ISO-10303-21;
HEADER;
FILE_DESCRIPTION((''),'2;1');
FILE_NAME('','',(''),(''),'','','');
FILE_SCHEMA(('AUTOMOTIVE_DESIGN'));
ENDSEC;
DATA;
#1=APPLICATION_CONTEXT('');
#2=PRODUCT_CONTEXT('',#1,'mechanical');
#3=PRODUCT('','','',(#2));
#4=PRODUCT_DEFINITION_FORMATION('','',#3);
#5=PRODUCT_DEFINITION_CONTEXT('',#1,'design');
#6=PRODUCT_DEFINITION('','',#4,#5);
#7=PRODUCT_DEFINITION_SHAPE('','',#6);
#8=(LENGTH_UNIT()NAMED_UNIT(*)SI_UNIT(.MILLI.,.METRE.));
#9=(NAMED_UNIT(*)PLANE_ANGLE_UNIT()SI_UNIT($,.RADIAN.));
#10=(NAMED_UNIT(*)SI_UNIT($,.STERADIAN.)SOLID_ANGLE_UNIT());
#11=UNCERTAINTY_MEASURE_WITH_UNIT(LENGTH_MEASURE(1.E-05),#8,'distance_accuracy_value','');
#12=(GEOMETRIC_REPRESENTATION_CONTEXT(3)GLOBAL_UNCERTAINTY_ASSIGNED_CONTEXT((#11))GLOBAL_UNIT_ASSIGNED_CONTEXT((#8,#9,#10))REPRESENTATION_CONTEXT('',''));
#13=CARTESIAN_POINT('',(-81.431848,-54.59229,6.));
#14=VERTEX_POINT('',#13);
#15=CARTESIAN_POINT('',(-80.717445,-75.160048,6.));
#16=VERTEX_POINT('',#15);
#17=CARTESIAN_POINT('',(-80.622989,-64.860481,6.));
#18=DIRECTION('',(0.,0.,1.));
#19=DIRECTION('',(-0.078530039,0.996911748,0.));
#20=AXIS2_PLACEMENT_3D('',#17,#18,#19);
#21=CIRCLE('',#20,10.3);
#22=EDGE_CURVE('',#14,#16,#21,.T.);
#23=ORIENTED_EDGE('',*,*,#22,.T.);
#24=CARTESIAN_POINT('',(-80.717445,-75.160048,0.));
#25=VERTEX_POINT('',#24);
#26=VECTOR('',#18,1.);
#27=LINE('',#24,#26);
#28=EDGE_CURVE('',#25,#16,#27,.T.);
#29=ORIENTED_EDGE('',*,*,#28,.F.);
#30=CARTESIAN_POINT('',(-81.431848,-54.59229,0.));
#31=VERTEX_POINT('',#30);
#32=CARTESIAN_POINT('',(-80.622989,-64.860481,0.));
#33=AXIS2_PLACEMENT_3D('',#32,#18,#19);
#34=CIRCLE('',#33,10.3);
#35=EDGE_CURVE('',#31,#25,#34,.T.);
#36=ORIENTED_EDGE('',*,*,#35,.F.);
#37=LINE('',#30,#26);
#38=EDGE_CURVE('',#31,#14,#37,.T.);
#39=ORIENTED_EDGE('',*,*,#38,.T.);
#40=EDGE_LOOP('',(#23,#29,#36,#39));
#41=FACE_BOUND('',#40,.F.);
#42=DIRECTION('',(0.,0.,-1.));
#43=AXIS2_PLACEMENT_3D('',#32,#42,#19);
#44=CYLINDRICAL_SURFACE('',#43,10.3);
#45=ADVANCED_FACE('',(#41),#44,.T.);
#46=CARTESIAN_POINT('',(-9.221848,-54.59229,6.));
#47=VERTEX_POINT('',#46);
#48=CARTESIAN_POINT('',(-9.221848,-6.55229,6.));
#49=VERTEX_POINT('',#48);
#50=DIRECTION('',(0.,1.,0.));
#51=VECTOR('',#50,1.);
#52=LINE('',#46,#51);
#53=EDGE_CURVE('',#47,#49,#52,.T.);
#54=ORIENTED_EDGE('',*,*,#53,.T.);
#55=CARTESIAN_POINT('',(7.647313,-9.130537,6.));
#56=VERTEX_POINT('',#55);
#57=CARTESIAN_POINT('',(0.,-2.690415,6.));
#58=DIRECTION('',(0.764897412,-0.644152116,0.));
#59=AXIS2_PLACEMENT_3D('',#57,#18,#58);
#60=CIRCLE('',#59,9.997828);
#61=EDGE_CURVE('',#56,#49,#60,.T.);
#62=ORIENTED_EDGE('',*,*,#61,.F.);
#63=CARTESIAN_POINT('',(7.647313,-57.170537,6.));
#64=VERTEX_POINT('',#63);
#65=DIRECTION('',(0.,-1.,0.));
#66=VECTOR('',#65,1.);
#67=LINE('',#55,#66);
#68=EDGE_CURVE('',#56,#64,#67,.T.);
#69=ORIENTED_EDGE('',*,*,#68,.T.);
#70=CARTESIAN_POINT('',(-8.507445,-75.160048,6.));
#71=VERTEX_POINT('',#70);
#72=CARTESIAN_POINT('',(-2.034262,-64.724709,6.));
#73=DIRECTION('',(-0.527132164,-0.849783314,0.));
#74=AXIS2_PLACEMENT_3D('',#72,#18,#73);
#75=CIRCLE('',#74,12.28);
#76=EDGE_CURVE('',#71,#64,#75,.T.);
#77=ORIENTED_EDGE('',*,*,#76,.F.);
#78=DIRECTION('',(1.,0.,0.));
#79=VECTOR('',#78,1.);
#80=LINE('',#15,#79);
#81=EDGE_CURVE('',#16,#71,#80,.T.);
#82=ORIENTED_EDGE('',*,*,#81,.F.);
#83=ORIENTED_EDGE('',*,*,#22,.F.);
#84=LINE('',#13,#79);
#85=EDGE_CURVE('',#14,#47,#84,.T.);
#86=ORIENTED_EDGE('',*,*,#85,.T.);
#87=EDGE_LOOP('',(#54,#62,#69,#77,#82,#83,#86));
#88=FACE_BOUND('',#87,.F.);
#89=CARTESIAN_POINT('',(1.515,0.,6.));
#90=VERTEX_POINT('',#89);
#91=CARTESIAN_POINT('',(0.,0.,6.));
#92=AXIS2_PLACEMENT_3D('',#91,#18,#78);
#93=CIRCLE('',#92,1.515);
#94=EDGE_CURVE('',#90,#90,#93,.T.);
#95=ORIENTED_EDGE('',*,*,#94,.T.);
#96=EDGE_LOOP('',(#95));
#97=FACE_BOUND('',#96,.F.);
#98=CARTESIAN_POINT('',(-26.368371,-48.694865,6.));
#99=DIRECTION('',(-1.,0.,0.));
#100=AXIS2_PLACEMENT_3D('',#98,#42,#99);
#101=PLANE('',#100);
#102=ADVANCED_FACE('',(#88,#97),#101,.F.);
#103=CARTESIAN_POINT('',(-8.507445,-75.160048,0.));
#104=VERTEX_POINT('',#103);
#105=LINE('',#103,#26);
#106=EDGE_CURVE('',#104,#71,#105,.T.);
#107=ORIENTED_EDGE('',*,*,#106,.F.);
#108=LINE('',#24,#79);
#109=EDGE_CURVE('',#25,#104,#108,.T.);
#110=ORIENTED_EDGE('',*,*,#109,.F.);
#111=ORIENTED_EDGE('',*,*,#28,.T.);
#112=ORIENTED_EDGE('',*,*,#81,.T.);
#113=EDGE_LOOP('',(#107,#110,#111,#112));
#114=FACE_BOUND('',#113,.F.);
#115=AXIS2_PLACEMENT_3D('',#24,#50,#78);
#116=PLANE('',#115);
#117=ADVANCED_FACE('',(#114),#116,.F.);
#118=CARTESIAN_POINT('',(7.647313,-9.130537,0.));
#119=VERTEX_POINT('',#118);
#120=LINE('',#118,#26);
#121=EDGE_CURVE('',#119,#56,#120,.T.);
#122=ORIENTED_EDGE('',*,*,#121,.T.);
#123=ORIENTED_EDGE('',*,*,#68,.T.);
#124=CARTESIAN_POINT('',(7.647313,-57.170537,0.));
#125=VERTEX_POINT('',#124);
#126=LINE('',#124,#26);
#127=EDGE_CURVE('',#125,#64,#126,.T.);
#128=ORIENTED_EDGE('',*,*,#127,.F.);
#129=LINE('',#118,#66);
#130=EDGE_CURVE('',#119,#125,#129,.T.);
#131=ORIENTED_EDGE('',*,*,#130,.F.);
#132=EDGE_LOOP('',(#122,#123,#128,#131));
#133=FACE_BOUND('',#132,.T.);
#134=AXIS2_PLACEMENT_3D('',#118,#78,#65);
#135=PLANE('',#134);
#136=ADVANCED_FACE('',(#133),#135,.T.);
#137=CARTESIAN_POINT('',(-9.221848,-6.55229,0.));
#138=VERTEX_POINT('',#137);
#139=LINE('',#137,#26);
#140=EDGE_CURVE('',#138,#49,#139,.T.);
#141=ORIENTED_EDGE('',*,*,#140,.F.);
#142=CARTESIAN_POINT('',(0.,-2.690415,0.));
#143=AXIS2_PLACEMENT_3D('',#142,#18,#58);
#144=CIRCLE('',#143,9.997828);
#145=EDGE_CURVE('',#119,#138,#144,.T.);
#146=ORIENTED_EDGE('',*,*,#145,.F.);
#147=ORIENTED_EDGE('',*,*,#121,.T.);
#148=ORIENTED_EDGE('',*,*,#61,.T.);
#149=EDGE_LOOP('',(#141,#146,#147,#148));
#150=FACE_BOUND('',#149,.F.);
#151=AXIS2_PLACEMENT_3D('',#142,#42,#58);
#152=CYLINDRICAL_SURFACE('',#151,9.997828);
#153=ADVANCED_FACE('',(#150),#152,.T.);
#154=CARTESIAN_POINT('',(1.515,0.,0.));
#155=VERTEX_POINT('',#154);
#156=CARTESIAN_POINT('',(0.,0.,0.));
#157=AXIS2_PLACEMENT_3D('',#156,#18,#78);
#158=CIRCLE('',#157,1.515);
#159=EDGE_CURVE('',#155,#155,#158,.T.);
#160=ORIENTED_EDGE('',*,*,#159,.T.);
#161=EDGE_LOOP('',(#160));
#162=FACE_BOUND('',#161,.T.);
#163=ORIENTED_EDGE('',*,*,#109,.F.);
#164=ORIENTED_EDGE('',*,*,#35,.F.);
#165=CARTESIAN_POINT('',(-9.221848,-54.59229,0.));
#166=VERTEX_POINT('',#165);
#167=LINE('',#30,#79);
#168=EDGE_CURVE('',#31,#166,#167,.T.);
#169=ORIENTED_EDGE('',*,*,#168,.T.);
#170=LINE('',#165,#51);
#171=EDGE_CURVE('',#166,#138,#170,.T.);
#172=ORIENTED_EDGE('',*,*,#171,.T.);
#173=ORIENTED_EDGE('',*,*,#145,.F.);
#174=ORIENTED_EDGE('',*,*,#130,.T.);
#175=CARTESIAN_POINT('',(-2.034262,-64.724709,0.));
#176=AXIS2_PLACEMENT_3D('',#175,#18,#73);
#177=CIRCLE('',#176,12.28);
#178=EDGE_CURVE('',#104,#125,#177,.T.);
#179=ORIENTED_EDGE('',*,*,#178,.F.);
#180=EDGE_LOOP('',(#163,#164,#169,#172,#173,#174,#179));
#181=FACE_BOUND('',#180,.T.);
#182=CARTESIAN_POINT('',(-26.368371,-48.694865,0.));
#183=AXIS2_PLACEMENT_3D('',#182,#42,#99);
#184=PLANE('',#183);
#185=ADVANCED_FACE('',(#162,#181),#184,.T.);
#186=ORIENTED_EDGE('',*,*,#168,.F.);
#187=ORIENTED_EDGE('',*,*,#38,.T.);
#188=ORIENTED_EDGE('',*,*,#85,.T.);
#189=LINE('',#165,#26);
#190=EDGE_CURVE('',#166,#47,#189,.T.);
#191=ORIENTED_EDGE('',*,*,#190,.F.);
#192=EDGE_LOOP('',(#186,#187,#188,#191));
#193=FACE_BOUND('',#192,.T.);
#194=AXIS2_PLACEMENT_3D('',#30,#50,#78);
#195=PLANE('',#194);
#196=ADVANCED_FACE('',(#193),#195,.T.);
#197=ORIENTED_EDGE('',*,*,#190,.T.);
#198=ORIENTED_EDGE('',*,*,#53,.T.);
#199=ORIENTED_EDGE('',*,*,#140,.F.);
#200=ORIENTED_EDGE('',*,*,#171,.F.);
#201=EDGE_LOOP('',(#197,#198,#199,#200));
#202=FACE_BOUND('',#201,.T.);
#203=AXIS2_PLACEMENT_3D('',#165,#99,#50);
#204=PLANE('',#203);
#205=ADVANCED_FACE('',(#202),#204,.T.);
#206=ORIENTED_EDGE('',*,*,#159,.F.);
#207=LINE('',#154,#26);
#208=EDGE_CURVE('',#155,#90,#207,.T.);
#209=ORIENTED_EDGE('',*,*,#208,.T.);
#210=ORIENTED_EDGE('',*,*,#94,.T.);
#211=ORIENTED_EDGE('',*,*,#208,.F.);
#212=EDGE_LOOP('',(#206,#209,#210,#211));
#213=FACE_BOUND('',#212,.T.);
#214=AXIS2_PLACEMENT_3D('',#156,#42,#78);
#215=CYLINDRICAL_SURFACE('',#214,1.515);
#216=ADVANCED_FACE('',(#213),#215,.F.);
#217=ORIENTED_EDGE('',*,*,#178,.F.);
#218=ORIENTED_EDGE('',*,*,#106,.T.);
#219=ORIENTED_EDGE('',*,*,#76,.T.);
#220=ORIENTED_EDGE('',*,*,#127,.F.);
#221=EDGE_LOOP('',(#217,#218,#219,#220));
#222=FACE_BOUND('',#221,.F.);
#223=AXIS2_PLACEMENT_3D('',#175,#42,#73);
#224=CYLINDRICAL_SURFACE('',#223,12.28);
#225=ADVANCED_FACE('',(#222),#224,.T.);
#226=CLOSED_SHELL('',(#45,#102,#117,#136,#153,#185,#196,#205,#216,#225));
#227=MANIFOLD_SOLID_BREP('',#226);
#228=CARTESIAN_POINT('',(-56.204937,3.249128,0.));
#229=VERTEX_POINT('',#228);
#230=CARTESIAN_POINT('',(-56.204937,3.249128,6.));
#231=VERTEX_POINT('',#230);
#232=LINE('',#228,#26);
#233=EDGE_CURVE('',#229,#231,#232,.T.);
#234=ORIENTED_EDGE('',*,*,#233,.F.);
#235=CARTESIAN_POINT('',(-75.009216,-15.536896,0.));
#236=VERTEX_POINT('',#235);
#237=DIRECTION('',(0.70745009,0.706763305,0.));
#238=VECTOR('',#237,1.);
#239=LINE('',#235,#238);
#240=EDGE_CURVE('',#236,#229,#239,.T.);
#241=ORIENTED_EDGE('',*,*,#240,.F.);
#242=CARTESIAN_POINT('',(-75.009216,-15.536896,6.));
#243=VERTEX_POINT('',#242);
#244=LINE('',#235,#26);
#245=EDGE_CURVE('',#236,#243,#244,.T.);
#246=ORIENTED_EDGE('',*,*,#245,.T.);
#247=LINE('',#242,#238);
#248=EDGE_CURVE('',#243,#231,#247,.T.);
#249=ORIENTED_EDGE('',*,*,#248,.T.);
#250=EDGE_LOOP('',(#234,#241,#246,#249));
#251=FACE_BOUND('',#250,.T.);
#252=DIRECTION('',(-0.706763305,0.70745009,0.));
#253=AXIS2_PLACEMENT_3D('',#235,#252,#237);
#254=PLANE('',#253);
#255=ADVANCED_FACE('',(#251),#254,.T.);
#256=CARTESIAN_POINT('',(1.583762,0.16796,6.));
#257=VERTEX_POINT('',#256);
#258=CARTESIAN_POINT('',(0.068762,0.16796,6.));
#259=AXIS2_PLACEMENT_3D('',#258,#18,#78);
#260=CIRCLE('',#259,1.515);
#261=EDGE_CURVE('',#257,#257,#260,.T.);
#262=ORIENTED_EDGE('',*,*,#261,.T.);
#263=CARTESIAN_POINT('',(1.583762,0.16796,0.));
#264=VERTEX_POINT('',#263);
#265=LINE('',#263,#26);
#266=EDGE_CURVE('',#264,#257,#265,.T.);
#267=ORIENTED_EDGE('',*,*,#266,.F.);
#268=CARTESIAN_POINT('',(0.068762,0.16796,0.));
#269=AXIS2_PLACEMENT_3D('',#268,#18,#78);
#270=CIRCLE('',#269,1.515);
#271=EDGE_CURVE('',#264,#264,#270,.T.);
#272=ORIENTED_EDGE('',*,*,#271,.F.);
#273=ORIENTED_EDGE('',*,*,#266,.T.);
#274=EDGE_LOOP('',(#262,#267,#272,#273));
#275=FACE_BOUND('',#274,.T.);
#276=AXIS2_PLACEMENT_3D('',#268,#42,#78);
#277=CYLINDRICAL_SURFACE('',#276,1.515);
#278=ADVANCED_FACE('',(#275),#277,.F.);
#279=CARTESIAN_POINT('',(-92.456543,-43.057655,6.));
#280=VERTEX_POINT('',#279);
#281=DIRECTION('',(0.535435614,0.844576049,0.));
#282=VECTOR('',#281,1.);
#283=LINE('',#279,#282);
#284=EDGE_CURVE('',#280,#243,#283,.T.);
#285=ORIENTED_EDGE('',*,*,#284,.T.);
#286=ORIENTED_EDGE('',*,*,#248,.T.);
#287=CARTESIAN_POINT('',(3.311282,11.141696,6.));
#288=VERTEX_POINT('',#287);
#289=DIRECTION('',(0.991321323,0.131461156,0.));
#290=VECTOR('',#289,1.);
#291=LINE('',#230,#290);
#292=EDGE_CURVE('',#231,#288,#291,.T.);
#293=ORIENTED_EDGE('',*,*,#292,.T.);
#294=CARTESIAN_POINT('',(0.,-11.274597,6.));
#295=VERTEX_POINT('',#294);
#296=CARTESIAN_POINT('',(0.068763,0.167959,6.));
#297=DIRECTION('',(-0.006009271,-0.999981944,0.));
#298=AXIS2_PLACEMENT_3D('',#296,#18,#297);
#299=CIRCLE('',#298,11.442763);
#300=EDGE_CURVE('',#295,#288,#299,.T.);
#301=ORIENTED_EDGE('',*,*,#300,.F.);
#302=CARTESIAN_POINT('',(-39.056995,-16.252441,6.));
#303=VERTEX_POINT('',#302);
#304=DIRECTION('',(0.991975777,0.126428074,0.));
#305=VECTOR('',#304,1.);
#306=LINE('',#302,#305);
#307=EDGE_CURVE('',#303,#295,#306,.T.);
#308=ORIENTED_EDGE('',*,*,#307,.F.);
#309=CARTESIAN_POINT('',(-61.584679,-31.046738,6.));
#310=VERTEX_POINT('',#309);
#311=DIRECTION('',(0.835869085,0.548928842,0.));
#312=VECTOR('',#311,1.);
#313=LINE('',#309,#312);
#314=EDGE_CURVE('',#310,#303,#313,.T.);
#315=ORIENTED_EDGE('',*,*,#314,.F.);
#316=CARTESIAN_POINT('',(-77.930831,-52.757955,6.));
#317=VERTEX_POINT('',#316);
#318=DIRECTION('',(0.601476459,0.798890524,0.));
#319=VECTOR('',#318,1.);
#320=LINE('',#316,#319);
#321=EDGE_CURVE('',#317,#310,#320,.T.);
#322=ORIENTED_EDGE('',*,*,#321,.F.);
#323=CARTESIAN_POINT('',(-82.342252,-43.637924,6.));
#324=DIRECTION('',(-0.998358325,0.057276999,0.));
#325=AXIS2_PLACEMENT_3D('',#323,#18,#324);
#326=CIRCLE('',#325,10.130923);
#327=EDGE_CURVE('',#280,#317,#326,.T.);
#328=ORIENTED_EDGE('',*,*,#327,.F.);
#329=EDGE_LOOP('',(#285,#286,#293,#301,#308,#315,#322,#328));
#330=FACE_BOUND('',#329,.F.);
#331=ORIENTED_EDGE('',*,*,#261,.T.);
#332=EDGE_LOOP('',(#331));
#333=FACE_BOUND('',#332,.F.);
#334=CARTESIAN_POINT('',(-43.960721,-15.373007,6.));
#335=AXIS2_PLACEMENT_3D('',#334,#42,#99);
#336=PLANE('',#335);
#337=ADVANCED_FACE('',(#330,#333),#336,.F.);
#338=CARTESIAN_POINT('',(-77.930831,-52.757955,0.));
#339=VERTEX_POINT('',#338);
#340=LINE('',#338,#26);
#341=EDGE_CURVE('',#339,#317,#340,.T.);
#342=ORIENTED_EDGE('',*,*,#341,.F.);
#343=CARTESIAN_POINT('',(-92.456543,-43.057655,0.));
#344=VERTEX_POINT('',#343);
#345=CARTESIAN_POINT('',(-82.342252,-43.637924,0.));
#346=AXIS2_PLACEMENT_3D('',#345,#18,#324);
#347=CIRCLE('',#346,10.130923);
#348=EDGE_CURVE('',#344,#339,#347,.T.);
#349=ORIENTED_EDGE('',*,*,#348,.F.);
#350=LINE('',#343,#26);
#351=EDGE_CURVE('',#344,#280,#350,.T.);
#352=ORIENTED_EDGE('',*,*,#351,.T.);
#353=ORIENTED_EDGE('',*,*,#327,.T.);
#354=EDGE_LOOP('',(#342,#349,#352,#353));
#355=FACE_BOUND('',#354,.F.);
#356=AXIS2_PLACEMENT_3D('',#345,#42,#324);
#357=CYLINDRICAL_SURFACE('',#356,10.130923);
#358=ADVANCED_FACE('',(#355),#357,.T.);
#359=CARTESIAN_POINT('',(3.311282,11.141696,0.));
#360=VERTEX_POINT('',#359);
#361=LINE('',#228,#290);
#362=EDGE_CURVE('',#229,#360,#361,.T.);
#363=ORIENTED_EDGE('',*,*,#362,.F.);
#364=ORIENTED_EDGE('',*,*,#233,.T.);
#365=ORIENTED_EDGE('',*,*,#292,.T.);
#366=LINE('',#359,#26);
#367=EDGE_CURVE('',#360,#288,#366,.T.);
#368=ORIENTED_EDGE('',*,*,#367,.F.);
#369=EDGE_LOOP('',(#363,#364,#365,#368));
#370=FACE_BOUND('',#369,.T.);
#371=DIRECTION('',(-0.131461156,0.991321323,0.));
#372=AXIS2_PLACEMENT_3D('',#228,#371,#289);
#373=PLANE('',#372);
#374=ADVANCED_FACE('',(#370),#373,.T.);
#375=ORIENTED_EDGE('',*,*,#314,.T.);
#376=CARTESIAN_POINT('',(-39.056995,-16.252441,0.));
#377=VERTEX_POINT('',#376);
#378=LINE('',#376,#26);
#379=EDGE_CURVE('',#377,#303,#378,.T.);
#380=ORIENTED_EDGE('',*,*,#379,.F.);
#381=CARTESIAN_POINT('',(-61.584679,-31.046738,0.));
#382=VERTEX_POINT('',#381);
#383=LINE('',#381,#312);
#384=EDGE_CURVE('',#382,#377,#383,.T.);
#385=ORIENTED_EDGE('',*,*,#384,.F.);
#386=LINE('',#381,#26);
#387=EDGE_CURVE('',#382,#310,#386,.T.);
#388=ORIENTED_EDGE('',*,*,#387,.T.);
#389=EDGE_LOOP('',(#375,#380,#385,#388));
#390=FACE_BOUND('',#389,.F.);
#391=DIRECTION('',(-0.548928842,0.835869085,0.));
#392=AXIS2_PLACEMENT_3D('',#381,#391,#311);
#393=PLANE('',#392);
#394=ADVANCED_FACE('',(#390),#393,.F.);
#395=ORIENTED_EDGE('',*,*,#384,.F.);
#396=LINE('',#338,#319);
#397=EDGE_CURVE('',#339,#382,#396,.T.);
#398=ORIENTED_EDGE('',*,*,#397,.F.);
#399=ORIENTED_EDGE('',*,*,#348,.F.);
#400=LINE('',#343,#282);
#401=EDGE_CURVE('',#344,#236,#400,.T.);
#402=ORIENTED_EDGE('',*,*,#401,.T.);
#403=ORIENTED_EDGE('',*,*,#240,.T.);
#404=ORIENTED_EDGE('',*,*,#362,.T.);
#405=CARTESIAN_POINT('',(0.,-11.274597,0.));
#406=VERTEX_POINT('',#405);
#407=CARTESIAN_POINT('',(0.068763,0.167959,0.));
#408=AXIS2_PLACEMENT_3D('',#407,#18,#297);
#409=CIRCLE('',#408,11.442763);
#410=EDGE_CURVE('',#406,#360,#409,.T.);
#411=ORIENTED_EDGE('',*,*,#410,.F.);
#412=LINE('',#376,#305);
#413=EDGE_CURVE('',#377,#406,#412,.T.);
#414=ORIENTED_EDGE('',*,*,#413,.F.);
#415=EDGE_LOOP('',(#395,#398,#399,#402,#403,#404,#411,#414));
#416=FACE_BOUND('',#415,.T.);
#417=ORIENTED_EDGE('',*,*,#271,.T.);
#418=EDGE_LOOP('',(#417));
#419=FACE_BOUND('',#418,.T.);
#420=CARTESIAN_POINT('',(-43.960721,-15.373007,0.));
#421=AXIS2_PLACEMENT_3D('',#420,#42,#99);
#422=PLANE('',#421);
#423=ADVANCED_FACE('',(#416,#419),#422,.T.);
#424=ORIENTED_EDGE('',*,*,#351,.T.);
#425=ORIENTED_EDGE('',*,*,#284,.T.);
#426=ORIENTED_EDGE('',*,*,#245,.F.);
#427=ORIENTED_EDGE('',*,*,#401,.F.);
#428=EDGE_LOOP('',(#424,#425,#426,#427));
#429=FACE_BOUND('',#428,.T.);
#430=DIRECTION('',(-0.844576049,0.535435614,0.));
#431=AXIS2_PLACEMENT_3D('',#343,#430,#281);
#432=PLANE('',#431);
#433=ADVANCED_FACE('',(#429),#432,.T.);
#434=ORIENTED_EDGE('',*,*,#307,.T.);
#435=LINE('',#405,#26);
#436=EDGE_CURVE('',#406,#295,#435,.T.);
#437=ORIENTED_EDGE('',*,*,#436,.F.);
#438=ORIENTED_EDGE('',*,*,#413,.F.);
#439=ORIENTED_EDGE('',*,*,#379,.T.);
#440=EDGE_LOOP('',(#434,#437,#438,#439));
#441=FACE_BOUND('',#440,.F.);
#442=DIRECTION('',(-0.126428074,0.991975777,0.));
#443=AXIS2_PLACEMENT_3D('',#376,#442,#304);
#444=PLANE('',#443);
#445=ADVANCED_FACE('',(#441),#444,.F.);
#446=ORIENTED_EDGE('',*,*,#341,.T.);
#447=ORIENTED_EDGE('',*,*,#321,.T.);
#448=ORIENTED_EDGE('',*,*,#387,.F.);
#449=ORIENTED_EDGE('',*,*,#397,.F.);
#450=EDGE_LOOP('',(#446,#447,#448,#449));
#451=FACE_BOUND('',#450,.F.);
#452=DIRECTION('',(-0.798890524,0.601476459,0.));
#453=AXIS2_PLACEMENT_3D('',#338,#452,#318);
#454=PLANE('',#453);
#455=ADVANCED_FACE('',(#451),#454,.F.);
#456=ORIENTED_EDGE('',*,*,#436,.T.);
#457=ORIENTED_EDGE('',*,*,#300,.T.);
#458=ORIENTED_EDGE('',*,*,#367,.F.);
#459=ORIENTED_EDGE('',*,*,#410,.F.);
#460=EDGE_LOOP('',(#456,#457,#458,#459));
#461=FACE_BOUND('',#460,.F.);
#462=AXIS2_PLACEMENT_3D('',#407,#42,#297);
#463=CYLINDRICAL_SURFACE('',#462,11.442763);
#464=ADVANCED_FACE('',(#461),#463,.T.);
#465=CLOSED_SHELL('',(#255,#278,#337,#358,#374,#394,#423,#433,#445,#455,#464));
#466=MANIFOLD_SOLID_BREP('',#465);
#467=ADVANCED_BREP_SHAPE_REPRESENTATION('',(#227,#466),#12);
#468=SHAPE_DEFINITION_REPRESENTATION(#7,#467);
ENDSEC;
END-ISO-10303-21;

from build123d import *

# Parameters (mm, degrees)
SKETCH_R     = 1.515
PAD_DEPTH    = 6
SKETCH001_R  = 1.515
PAD001_DEPTH = 6


with BuildPart() as dedo_gordo:
    # Sketch → Pad (new body)
    with BuildSketch(Plane.XY):
        with BuildLine():
            Line((-81.431848, -54.59229), (-9.221848, -54.59229))
            Line((-9.221848, -54.59229), (-9.221848, -6.55229))
            ThreePointArc((7.647313, -9.130537), (1.510507, 7.192648), (-9.221848, -6.55229))
            Line((7.647313, -9.130537), (7.647313, -57.170537))
            ThreePointArc((-8.507445, -75.160048), (7.102426, -72.929545), (7.647313, -57.170537))
            Line((-80.717445, -75.160048), (-8.507445, -75.160048))
            ThreePointArc((-81.431848, -54.59229), (-90.916781, -65.218027), (-80.717445, -75.160048))
        make_face()
        Circle(SKETCH_R, mode=Mode.SUBTRACT)
    extrude(amount=PAD_DEPTH)


with BuildPart() as dedo_indice:
    # Sketch001 → Pad001 (new body)
    with BuildSketch(Plane.XY):
        with BuildLine():
            Line((-92.456543, -43.057655), (-75.009216, -15.536896))
            Line((-75.009216, -15.536896), (-56.204937, 3.249128))
            Line((-56.204937, 3.249128), (3.311282, 11.141696))
            ThreePointArc((0, -11.274597), (11.388689, -1.504193), (3.311282, 11.141696))
            Line((-39.056995, -16.252441), (0, -11.274597))
            Line((-61.584679, -31.046738), (-39.056995, -16.252441))
            Line((-77.930831, -52.757955), (-61.584679, -31.046738))
            ThreePointArc((-92.456543, -43.057655), (-87.968497, -52.062944), (-77.930831, -52.757955))
        make_face()
        with Locations((0.068762, 0.16796)):
            Circle(SKETCH001_R, mode=Mode.SUBTRACT)
    extrude(amount=PAD001_DEPTH)


solid = Compound([dedo_gordo.part, dedo_indice.part])
